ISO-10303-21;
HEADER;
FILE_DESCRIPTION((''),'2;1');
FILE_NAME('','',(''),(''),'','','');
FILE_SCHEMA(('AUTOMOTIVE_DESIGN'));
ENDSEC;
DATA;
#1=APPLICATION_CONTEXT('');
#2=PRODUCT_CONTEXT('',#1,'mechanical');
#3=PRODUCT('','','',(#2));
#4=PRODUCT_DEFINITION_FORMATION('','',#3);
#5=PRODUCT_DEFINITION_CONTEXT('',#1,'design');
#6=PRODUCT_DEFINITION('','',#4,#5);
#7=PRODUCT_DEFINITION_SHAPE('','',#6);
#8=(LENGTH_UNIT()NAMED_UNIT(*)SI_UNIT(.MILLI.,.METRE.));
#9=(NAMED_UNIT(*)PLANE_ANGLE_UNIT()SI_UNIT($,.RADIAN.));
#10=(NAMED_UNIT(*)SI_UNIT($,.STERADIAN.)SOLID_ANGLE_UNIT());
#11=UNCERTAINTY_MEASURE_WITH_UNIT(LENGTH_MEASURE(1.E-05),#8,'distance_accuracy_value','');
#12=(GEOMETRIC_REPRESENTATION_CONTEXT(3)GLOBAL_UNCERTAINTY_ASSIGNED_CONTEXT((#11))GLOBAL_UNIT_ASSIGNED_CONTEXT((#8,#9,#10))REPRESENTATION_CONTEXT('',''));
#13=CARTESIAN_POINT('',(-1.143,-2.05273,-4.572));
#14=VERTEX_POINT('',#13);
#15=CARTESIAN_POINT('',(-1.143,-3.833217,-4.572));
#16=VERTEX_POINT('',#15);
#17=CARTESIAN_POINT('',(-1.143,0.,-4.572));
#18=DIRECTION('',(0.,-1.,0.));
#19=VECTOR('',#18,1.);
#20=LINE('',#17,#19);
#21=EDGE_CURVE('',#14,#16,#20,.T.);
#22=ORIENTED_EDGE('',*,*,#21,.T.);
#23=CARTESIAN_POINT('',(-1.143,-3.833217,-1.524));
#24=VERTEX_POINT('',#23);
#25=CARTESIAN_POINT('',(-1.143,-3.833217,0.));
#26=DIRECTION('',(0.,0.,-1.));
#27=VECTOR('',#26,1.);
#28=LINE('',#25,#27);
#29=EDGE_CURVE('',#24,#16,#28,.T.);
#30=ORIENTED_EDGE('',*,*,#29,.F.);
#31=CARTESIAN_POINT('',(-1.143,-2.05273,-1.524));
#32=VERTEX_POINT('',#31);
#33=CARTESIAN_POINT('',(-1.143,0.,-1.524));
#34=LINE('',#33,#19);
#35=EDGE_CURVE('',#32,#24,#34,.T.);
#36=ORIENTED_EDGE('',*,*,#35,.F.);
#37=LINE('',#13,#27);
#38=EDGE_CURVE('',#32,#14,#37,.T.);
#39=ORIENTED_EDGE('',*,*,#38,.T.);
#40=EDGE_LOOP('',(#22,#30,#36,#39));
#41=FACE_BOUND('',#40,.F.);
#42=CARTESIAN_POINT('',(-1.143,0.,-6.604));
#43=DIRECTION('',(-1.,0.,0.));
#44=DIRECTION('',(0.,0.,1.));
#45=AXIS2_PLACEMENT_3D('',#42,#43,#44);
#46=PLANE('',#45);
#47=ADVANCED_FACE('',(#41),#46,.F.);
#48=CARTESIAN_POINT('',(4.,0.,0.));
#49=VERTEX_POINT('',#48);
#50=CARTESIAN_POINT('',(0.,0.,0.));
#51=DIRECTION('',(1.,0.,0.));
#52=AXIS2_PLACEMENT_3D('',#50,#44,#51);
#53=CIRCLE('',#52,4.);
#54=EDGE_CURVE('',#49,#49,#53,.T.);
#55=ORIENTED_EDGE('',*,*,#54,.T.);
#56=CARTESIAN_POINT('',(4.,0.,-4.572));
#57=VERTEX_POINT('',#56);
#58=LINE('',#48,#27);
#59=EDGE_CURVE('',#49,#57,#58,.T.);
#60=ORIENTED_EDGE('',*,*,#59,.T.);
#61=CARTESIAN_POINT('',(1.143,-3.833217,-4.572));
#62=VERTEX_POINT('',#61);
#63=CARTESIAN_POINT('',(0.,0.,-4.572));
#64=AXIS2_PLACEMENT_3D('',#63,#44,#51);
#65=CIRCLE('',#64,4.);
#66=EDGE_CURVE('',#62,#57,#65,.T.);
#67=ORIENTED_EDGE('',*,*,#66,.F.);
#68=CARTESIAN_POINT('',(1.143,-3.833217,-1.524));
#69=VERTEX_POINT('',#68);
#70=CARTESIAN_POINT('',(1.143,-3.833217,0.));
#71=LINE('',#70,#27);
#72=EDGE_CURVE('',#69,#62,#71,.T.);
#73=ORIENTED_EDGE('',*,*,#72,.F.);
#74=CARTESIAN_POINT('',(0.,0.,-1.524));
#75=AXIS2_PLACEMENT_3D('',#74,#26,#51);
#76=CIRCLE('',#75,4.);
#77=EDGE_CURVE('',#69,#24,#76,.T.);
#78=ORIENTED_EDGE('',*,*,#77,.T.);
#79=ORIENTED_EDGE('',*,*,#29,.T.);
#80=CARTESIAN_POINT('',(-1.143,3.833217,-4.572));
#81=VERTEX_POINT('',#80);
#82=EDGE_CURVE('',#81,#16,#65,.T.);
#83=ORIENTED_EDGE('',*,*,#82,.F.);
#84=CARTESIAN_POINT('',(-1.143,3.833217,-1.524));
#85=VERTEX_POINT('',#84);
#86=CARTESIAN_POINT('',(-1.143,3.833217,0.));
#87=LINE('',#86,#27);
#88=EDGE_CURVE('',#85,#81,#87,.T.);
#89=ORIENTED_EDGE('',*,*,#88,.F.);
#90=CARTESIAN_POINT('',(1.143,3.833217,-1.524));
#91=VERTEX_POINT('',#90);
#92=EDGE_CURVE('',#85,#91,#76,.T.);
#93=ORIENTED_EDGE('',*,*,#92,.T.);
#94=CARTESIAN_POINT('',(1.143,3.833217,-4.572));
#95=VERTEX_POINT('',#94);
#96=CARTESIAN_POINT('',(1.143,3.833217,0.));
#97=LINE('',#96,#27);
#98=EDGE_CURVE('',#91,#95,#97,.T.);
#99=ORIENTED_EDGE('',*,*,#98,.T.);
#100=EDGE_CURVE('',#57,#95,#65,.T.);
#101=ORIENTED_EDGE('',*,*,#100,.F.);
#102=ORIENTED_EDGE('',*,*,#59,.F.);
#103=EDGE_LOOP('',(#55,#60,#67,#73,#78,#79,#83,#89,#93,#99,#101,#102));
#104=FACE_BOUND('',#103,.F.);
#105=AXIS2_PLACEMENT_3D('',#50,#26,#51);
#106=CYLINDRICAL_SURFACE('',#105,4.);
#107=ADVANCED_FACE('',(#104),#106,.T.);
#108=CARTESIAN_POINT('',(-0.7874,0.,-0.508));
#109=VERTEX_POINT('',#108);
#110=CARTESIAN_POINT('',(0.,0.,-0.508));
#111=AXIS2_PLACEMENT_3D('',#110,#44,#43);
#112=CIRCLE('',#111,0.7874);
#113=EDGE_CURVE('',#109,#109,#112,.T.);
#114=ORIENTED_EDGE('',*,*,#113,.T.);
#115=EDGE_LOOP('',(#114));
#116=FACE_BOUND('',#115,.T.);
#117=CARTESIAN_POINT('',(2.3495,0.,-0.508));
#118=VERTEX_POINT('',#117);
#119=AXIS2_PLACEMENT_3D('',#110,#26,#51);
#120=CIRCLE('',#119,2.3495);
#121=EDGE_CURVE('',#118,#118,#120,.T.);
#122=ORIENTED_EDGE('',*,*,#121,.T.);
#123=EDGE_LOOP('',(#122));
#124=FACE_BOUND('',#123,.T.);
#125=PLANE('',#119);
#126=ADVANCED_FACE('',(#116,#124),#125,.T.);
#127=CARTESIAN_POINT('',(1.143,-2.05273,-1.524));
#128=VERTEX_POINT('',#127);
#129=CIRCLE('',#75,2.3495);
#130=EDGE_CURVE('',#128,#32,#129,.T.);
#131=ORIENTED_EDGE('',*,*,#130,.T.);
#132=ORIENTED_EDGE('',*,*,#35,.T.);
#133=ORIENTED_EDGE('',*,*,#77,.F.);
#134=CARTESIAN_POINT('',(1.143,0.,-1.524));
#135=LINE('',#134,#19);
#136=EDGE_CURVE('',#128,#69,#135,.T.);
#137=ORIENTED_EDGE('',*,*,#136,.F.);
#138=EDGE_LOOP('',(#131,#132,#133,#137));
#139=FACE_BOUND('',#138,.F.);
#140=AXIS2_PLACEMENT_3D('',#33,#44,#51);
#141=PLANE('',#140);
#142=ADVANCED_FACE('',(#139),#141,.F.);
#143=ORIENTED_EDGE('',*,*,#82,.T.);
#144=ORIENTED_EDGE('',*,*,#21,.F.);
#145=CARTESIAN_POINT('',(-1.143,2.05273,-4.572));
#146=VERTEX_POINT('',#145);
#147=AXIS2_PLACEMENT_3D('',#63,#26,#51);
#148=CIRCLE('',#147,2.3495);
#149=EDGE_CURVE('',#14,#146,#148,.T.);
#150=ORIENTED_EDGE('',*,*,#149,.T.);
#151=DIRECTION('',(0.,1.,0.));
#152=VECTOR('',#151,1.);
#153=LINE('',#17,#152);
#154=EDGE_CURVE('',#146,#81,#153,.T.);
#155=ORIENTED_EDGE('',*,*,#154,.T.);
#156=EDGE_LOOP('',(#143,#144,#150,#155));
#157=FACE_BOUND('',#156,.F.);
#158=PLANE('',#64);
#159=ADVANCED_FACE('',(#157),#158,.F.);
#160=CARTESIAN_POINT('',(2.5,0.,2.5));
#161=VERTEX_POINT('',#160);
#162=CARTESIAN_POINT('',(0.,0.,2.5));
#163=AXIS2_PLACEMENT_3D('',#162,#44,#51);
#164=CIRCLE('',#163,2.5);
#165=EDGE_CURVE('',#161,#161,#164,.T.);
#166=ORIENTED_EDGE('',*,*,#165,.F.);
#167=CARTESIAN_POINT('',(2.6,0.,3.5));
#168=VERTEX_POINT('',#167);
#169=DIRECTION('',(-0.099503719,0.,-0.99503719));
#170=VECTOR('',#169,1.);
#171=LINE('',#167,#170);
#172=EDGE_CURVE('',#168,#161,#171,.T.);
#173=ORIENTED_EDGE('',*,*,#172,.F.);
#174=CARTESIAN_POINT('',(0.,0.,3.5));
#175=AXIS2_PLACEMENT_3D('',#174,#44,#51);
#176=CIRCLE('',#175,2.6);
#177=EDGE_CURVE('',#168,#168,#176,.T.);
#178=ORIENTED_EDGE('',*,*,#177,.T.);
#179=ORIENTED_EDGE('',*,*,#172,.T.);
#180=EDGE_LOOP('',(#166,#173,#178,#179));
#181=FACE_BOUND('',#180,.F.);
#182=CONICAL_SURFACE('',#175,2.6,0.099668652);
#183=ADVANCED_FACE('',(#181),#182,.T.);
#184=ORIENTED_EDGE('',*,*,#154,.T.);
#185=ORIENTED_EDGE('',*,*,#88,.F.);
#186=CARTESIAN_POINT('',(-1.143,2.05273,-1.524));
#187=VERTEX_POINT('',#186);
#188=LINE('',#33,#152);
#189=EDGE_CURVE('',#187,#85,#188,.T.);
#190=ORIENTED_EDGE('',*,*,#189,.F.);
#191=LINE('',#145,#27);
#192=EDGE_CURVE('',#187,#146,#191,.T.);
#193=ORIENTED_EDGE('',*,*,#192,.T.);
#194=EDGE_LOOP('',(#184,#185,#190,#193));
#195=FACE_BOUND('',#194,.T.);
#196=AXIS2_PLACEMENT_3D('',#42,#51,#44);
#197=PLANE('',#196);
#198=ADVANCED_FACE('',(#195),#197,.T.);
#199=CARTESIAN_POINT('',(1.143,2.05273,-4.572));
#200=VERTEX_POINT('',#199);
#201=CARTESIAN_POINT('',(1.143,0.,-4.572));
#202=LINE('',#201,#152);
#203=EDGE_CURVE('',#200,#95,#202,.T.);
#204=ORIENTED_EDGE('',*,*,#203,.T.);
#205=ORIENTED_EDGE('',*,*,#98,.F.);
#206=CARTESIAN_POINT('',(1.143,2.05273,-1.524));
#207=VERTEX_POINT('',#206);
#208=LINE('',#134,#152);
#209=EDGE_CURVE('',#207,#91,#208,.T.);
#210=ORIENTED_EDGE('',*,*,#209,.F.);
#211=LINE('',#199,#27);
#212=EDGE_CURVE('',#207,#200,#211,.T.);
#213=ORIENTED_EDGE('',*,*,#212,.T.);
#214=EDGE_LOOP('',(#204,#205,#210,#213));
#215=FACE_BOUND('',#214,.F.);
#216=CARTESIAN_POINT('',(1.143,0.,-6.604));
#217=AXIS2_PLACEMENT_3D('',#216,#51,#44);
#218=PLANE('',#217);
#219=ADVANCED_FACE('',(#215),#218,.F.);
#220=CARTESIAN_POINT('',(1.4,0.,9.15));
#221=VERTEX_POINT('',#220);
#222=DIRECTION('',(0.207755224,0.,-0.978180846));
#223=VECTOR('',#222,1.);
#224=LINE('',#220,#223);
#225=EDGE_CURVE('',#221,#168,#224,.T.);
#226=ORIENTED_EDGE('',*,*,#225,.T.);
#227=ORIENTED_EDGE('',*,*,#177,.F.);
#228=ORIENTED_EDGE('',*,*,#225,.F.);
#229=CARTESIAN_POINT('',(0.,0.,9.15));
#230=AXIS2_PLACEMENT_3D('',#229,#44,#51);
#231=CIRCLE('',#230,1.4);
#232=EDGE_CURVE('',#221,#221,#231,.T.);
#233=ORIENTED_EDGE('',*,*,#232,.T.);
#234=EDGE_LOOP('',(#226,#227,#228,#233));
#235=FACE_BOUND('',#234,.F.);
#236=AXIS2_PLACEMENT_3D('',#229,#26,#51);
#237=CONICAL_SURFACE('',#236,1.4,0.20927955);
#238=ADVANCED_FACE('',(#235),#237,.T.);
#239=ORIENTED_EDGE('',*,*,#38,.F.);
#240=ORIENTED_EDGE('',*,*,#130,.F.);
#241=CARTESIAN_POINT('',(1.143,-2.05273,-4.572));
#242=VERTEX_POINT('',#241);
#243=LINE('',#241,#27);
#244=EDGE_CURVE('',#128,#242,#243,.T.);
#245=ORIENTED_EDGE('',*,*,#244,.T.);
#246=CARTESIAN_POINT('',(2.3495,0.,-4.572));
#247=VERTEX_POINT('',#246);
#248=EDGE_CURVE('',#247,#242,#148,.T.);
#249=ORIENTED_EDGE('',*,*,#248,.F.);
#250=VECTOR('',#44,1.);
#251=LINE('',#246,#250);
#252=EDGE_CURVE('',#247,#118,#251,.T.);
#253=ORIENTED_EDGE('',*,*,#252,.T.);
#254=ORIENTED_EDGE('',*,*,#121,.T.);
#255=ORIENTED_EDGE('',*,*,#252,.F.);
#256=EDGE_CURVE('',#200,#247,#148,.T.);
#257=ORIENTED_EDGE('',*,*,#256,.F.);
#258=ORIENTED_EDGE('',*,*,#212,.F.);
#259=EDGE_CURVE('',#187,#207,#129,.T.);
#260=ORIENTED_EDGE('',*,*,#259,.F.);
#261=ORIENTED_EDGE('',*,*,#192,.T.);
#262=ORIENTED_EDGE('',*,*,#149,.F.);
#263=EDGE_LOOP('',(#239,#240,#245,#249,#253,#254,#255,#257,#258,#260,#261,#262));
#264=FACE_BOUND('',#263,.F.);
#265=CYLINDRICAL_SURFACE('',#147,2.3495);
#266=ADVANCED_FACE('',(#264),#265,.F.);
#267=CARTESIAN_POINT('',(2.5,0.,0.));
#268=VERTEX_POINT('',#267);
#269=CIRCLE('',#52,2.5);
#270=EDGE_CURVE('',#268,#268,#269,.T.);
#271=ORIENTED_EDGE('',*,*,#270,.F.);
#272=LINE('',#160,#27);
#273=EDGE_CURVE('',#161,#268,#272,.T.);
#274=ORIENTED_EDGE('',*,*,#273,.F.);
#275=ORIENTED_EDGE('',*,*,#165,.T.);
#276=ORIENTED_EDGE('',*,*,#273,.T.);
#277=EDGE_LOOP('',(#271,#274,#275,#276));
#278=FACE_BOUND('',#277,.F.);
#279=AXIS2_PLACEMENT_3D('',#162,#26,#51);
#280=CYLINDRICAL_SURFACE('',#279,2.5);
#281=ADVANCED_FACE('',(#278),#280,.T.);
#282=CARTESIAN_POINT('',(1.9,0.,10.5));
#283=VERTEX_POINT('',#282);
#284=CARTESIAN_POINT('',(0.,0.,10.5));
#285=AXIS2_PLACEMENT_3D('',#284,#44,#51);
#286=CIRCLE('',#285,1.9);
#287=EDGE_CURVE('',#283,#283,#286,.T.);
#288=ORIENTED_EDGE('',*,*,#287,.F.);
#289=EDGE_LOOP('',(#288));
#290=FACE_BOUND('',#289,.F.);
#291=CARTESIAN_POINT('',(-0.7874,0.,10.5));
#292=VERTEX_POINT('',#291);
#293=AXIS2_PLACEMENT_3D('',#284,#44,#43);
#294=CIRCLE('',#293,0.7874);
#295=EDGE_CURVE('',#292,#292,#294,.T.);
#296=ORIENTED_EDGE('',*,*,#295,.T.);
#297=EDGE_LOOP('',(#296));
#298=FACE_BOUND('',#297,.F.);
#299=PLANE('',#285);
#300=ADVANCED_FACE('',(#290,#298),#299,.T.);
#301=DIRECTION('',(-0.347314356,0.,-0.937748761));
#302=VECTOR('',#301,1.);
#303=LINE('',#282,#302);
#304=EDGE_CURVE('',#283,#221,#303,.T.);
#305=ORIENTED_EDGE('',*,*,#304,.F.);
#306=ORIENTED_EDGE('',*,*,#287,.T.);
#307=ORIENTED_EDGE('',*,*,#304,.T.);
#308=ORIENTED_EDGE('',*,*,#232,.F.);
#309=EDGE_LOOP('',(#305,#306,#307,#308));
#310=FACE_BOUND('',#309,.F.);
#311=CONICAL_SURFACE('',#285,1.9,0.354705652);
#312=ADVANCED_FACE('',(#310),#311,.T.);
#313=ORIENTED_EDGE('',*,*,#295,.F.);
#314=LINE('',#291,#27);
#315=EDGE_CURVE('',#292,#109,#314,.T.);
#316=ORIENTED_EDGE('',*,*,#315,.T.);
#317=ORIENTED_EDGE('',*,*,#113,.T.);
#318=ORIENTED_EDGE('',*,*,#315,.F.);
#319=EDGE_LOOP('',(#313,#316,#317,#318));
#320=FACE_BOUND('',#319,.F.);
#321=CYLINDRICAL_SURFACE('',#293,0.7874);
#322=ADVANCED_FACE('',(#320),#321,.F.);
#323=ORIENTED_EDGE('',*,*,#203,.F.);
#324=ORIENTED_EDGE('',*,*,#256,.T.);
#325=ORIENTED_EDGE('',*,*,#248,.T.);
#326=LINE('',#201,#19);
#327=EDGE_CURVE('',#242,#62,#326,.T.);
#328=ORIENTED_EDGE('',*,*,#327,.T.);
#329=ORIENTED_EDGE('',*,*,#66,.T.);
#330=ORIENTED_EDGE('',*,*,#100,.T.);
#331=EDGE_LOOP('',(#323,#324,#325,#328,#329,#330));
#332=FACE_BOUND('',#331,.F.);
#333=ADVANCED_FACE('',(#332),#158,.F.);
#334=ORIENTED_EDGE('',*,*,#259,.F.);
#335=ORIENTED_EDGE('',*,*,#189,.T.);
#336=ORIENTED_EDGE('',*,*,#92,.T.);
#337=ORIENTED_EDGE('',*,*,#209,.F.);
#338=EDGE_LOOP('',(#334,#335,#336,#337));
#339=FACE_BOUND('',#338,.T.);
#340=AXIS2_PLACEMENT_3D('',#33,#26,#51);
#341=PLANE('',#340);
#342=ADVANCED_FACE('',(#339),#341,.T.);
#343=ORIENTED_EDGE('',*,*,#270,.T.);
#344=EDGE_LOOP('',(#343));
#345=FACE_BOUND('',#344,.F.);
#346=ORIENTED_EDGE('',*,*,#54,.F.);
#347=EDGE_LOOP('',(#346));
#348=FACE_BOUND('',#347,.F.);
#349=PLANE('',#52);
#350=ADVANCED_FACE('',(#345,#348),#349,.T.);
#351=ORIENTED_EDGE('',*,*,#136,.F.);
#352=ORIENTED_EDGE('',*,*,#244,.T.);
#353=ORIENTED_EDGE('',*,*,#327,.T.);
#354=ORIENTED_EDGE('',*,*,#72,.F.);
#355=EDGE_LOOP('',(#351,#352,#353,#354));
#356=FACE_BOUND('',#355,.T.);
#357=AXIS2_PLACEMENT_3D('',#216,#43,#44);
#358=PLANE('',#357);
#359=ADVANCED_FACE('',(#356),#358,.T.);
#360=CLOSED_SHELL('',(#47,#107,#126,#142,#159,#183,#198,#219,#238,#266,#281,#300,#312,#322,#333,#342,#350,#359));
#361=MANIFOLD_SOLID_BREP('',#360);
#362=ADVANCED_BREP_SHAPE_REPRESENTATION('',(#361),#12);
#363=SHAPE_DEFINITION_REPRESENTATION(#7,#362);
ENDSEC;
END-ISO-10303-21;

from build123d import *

# Parameters (mm, degrees)
SKETCH001_R          = 2.3495
POCKET_DEPTH         = 4.064
SKETCH002_R          = 0.7874
POCKET001_DEPTH      = 15.073
SKETCH003_W          = 2.286
SKETCH003_H          = 5.08
POCKET002_DEPTH      = 5.0038
POCKET002_DEPTH_BACK = -99.9998


with BuildPart() as part:
    # Sketch → Revolution (revolve)
    with BuildSketch(Plane.XZ):
        Polygon((2.5, 0), (4, 0), (4, -4.572), (0, -4.572), (0, 0), (0, 10.5), (1.9, 10.5), (1.4, 9.15), (2.6, 3.5), (2.5, 2.5), align=None)
    revolve(axis=Axis((0, 0, 0), (0, 0, 1)))

    # Sketch001 (on Face5 of Revolution) → Pocket (cut)
    with BuildSketch(Plane(origin=(0, 0, -4.572), x_dir=(1, 0, 0), z_dir=(0, 0, -1))):
        Circle(SKETCH001_R)
    extrude(amount=-POCKET_DEPTH, mode=Mode.SUBTRACT)

    # Sketch002 (on Face6 of Pocket) → Pocket001 (cut, through all)
    with BuildSketch(Plane(origin=(0, 0, 10.5), x_dir=(-1, 0, 0), z_dir=(0, 0, 1))):
        Circle(SKETCH002_R)
    extrude(amount=-POCKET001_DEPTH, mode=Mode.SUBTRACT)

    # Sketch003 → Pocket002 (cut, two sides)
    with BuildSketch(Plane.XZ) as pocket002_sk:
        with Locations((0, -4.064)):
            Rectangle(SKETCH003_W, SKETCH003_H)
    extrude(amount=-POCKET002_DEPTH, mode=Mode.SUBTRACT)
    extrude(pocket002_sk.sketch, amount=-POCKET002_DEPTH_BACK, mode=Mode.SUBTRACT)


solid = part.part
